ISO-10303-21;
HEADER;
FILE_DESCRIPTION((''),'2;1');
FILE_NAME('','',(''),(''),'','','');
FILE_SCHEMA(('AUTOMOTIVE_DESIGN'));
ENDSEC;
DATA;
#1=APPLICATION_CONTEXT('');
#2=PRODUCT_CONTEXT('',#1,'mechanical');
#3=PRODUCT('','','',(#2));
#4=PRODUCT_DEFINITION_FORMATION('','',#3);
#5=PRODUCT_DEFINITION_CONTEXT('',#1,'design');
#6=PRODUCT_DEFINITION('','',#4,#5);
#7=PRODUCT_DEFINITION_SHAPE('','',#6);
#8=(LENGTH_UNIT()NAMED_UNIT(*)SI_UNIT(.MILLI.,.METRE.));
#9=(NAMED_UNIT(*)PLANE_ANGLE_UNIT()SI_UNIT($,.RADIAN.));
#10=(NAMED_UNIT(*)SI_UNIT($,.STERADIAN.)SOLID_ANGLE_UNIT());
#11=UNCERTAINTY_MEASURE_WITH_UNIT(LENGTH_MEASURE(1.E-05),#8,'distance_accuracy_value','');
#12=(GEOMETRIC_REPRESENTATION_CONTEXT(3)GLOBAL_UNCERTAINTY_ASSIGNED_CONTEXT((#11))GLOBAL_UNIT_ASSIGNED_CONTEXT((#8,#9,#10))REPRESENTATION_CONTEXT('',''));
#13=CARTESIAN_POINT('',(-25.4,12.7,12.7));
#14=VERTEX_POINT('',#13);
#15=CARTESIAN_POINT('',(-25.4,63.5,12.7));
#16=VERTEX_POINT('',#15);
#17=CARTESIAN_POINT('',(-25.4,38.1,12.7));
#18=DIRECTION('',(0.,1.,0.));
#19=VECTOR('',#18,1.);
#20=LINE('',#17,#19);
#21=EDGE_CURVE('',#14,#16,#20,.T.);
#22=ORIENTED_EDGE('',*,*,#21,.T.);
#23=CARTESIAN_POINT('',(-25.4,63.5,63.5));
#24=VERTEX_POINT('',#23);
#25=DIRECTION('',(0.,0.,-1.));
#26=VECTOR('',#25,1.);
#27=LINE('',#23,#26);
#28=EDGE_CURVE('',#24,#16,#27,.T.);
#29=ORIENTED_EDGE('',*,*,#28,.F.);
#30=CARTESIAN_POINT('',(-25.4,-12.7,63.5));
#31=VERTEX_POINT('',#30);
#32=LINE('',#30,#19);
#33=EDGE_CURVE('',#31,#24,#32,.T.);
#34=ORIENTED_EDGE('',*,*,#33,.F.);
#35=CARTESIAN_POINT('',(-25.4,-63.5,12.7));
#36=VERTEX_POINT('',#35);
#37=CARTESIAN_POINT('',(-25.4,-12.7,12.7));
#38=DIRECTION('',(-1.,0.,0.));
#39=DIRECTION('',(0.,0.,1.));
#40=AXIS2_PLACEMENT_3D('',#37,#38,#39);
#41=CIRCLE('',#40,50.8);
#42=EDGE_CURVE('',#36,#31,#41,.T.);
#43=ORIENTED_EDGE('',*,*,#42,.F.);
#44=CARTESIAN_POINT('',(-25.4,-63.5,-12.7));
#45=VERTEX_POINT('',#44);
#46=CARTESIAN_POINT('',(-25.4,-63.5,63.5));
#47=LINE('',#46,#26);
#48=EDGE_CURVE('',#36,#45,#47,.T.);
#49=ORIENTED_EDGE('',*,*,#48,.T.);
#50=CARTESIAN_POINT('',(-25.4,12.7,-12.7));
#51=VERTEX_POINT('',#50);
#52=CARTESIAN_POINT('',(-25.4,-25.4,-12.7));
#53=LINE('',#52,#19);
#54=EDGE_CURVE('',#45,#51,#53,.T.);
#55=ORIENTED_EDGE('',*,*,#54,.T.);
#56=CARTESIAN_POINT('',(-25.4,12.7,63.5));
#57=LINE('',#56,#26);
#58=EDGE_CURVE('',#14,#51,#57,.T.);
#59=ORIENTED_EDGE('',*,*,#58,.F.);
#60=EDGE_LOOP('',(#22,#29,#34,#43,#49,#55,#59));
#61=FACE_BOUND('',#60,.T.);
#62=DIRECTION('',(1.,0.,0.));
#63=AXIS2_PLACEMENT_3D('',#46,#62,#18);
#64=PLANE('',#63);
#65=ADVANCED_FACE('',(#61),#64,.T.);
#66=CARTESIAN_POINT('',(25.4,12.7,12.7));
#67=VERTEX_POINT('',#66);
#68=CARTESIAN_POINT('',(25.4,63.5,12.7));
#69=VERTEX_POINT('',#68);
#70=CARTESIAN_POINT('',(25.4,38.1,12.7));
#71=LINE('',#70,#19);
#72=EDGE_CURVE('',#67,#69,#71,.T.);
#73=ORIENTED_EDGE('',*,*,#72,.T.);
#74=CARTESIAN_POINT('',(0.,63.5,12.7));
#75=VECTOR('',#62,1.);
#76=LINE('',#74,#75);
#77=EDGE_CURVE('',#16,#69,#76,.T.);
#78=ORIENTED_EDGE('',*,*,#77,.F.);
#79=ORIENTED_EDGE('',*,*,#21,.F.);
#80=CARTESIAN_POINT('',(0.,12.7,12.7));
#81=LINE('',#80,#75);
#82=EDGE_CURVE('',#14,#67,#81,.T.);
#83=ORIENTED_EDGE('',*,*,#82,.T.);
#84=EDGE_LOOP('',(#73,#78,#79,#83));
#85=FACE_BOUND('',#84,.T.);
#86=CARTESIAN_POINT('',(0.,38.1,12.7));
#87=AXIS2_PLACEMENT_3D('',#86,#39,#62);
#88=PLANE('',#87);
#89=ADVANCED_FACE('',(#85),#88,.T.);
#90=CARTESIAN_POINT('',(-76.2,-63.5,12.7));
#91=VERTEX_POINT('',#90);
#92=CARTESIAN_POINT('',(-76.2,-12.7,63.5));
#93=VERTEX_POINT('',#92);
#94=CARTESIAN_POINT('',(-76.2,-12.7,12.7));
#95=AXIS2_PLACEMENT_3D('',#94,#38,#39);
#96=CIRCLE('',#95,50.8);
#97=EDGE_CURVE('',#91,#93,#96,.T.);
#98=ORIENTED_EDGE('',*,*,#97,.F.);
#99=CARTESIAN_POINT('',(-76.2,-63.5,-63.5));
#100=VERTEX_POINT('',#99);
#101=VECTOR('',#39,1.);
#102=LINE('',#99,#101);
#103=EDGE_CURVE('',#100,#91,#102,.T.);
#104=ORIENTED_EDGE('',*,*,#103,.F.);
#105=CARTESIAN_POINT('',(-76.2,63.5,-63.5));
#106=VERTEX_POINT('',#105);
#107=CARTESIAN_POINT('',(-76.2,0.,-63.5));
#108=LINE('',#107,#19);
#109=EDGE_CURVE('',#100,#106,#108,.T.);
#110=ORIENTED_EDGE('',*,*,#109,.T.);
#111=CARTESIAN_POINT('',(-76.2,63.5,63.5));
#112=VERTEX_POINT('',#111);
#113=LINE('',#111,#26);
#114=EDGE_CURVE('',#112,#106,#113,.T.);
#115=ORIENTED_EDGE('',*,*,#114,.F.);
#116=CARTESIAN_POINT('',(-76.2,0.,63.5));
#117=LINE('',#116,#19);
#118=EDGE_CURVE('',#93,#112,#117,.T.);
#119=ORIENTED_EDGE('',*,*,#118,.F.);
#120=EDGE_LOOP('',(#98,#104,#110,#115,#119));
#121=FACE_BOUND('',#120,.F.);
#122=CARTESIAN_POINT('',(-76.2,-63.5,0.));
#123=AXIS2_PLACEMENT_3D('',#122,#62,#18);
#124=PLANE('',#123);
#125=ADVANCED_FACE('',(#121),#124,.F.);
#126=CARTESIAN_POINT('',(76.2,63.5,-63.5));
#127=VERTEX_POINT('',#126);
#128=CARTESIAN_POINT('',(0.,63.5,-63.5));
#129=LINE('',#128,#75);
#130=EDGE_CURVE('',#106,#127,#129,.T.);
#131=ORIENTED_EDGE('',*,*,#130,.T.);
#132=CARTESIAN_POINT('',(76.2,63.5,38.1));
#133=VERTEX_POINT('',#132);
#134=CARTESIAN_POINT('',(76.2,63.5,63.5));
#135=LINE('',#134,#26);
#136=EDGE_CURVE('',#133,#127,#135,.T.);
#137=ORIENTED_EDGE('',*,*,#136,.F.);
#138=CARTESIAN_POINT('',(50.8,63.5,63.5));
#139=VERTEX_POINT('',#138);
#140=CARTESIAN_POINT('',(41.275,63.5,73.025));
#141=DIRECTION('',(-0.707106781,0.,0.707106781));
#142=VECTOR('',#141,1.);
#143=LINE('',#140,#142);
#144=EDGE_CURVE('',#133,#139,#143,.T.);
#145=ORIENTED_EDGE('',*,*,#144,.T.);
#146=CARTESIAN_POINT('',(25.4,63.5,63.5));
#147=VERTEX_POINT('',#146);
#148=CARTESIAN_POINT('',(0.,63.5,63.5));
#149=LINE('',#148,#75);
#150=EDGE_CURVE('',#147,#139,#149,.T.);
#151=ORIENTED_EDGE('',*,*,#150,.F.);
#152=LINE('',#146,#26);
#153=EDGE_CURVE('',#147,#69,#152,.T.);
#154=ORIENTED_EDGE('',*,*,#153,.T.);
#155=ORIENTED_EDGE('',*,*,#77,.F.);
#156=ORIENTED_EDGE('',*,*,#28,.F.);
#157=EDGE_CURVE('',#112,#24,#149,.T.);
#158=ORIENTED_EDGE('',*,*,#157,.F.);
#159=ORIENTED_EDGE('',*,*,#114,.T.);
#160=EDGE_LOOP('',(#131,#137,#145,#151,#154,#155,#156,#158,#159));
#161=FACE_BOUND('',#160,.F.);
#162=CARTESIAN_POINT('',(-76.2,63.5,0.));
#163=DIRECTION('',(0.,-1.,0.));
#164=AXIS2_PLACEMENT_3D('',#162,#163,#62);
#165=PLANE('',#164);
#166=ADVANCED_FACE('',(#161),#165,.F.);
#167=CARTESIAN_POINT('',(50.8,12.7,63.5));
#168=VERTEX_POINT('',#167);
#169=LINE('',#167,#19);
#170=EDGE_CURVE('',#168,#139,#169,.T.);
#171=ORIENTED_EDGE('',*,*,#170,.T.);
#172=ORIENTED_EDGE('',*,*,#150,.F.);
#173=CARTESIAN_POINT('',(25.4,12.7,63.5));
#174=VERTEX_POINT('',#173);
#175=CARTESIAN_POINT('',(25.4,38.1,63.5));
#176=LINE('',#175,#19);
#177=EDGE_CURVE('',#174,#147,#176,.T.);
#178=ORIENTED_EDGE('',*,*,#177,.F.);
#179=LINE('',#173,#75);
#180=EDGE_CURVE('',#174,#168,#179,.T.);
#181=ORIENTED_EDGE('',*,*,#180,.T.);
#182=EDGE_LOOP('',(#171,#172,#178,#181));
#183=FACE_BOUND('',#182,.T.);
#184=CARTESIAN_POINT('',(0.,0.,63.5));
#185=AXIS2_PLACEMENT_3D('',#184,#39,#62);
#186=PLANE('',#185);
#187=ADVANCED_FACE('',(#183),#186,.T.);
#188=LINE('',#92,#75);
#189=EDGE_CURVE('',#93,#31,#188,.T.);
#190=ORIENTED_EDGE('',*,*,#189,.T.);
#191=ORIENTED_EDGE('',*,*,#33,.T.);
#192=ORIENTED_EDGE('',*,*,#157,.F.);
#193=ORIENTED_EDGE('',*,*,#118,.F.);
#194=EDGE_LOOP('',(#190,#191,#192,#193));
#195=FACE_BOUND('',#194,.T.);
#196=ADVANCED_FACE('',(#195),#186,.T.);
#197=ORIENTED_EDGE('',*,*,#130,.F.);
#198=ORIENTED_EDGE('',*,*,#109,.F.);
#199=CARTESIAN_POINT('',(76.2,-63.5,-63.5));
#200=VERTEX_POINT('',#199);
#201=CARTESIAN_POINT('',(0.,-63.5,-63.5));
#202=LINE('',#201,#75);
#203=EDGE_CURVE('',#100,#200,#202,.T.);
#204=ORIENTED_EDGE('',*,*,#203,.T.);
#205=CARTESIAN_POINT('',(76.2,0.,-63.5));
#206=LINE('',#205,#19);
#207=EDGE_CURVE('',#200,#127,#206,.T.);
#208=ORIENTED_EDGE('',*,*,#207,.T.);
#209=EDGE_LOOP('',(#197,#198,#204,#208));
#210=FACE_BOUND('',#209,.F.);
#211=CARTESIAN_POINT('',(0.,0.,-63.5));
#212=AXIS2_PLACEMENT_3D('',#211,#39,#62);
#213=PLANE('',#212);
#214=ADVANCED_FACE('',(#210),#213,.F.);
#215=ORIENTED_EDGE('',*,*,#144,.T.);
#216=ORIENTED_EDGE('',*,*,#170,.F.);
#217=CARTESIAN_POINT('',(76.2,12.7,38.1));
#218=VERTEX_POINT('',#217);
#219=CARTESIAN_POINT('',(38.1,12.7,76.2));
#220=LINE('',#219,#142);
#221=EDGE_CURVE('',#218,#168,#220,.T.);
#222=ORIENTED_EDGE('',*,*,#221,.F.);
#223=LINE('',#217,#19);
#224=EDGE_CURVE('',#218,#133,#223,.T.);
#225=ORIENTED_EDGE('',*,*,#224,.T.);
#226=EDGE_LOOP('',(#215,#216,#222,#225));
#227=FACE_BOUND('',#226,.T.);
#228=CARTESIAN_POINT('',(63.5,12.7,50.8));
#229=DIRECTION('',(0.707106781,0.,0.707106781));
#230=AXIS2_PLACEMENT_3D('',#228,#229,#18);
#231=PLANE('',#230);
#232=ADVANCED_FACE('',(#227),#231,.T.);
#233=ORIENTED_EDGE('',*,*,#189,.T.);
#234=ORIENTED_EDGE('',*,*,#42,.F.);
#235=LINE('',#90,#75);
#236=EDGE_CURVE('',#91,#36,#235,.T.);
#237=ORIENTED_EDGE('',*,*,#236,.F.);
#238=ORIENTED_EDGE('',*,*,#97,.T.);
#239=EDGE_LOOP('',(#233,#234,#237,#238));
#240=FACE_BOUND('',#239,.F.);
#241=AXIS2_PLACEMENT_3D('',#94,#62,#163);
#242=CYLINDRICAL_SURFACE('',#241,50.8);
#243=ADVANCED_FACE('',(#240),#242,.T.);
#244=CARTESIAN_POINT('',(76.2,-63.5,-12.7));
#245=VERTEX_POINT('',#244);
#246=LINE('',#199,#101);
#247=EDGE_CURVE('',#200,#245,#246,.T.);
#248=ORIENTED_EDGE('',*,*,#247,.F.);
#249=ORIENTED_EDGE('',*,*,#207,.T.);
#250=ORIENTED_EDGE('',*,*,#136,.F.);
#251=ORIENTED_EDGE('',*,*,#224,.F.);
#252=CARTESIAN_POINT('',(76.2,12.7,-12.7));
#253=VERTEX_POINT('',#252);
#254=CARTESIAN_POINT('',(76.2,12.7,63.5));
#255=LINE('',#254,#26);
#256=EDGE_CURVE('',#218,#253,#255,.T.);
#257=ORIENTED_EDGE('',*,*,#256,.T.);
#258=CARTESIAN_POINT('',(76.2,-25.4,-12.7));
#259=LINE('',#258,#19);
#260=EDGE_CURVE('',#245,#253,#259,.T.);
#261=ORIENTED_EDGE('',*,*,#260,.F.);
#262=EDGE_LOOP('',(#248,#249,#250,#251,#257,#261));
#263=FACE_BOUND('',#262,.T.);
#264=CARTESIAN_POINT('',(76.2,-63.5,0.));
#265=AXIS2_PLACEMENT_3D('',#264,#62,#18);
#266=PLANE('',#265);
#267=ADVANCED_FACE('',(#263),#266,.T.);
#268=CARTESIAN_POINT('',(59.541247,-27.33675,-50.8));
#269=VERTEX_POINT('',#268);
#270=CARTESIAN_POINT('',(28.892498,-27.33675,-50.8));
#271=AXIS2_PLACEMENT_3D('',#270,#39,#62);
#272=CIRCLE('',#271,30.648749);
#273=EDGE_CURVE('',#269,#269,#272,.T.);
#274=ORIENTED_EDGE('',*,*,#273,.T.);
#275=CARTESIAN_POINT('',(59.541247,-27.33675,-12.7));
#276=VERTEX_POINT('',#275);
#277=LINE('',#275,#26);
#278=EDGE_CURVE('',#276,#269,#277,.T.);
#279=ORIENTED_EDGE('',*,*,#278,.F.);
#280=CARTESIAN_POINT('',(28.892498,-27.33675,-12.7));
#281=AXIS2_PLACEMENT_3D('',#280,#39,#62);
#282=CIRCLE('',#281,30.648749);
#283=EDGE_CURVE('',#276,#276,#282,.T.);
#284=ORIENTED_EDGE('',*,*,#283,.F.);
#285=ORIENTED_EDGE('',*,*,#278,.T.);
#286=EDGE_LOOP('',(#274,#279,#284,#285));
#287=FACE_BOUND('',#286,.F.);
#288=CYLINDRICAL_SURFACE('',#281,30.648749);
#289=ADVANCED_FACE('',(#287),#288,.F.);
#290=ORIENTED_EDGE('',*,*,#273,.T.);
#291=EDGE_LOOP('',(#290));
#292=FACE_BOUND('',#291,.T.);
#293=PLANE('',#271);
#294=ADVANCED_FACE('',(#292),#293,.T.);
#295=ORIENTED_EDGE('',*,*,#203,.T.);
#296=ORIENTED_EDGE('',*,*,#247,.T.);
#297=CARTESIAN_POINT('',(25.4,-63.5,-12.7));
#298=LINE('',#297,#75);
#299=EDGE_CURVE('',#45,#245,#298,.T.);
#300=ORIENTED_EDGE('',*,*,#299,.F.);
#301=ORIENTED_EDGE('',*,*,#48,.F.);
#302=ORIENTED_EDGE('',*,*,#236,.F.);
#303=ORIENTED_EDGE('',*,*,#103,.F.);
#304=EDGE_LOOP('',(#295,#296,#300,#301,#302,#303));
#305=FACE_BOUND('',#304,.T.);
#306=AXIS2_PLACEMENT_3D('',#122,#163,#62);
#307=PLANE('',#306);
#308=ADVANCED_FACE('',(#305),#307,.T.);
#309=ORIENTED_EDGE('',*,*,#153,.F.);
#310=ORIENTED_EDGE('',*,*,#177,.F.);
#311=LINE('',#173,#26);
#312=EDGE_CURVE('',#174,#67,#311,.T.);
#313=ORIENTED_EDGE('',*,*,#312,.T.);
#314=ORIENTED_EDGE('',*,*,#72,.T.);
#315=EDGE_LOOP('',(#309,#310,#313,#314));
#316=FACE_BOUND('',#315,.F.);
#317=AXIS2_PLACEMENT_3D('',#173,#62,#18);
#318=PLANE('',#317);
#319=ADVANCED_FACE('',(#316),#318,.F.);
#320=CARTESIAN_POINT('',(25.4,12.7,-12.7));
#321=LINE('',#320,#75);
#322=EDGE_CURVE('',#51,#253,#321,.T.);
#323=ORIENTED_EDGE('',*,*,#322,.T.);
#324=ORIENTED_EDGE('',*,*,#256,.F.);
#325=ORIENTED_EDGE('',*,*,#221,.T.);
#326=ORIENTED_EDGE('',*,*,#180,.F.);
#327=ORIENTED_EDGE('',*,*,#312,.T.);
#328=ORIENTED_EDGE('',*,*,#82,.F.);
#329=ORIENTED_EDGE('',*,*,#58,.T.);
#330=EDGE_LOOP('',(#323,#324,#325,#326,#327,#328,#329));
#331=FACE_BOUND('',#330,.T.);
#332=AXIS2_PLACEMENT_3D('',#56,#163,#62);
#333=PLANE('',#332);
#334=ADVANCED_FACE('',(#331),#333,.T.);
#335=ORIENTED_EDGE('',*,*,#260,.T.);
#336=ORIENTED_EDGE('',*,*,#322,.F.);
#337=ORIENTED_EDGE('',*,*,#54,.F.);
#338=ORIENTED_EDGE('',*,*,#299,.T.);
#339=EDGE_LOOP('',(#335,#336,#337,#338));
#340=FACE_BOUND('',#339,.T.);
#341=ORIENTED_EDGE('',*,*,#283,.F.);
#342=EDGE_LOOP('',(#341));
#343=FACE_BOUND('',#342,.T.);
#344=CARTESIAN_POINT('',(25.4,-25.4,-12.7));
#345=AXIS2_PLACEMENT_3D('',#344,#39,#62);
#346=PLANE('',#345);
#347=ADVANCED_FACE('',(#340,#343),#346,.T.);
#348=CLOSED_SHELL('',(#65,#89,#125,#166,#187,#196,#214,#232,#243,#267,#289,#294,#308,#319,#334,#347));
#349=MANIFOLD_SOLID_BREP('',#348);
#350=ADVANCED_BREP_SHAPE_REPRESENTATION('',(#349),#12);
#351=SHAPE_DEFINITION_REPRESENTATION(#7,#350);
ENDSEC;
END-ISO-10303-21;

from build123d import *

# Parameters (mm, degrees)
F0_W     = 152.4
F0_H     = 127
F1_DEPTH = 63.5
F2_W     = 101.6
F2_H     = 76.2
F3_DEPTH = 76.2
F4_R     = 50.8
F5_R     = 30.648749
F6_DEPTH = 38.1
F7_W     = 50.8
F7_H     = 50.8
F8_DEPTH = 50.8
F9_SIZE  = 25.4


with BuildPart() as f1:
    # F0 (on Top) → F1 (new body, symmetric)
    with BuildSketch(Plane.XY):
        Rectangle(F0_W, F0_H)
    extrude(amount=F1_DEPTH, both=True)

    # F2 (on face) → F3 (cut)
    with BuildSketch(Plane.XY.offset(63.5)):
        with Locations((25.4, -25.4)):
            Rectangle(F2_W, F2_H)
    extrude(amount=-F3_DEPTH, mode=Mode.SUBTRACT)

    # F4
    f4_edges = [f1.edges().sort_by_distance(p)[0] for p in [
        (-50.8, -63.5, 63.5),
    ]]
    fillet(f4_edges, radius=F4_R)

    # F5 (on face) → F6 (cut)
    with BuildSketch(Plane.XY.offset(-12.7)):
        with Locations((28.892498, -27.33675)):
            Circle(F5_R)
    extrude(amount=-F6_DEPTH, mode=Mode.SUBTRACT)

    # F7 (on face) → F8 (cut)
    with BuildSketch(Plane.XY.offset(63.5)):
        with Locations((0, 38.1)):
            Rectangle(F7_W, F7_H)
    extrude(amount=-F8_DEPTH, mode=Mode.SUBTRACT)

    # F9
    f9_edges = [f1.edges().sort_by_distance(p)[0] for p in [
        (76.2, 38.1, 63.5),
    ]]
    chamfer(f9_edges, length=F9_SIZE)


solid = f1.part
